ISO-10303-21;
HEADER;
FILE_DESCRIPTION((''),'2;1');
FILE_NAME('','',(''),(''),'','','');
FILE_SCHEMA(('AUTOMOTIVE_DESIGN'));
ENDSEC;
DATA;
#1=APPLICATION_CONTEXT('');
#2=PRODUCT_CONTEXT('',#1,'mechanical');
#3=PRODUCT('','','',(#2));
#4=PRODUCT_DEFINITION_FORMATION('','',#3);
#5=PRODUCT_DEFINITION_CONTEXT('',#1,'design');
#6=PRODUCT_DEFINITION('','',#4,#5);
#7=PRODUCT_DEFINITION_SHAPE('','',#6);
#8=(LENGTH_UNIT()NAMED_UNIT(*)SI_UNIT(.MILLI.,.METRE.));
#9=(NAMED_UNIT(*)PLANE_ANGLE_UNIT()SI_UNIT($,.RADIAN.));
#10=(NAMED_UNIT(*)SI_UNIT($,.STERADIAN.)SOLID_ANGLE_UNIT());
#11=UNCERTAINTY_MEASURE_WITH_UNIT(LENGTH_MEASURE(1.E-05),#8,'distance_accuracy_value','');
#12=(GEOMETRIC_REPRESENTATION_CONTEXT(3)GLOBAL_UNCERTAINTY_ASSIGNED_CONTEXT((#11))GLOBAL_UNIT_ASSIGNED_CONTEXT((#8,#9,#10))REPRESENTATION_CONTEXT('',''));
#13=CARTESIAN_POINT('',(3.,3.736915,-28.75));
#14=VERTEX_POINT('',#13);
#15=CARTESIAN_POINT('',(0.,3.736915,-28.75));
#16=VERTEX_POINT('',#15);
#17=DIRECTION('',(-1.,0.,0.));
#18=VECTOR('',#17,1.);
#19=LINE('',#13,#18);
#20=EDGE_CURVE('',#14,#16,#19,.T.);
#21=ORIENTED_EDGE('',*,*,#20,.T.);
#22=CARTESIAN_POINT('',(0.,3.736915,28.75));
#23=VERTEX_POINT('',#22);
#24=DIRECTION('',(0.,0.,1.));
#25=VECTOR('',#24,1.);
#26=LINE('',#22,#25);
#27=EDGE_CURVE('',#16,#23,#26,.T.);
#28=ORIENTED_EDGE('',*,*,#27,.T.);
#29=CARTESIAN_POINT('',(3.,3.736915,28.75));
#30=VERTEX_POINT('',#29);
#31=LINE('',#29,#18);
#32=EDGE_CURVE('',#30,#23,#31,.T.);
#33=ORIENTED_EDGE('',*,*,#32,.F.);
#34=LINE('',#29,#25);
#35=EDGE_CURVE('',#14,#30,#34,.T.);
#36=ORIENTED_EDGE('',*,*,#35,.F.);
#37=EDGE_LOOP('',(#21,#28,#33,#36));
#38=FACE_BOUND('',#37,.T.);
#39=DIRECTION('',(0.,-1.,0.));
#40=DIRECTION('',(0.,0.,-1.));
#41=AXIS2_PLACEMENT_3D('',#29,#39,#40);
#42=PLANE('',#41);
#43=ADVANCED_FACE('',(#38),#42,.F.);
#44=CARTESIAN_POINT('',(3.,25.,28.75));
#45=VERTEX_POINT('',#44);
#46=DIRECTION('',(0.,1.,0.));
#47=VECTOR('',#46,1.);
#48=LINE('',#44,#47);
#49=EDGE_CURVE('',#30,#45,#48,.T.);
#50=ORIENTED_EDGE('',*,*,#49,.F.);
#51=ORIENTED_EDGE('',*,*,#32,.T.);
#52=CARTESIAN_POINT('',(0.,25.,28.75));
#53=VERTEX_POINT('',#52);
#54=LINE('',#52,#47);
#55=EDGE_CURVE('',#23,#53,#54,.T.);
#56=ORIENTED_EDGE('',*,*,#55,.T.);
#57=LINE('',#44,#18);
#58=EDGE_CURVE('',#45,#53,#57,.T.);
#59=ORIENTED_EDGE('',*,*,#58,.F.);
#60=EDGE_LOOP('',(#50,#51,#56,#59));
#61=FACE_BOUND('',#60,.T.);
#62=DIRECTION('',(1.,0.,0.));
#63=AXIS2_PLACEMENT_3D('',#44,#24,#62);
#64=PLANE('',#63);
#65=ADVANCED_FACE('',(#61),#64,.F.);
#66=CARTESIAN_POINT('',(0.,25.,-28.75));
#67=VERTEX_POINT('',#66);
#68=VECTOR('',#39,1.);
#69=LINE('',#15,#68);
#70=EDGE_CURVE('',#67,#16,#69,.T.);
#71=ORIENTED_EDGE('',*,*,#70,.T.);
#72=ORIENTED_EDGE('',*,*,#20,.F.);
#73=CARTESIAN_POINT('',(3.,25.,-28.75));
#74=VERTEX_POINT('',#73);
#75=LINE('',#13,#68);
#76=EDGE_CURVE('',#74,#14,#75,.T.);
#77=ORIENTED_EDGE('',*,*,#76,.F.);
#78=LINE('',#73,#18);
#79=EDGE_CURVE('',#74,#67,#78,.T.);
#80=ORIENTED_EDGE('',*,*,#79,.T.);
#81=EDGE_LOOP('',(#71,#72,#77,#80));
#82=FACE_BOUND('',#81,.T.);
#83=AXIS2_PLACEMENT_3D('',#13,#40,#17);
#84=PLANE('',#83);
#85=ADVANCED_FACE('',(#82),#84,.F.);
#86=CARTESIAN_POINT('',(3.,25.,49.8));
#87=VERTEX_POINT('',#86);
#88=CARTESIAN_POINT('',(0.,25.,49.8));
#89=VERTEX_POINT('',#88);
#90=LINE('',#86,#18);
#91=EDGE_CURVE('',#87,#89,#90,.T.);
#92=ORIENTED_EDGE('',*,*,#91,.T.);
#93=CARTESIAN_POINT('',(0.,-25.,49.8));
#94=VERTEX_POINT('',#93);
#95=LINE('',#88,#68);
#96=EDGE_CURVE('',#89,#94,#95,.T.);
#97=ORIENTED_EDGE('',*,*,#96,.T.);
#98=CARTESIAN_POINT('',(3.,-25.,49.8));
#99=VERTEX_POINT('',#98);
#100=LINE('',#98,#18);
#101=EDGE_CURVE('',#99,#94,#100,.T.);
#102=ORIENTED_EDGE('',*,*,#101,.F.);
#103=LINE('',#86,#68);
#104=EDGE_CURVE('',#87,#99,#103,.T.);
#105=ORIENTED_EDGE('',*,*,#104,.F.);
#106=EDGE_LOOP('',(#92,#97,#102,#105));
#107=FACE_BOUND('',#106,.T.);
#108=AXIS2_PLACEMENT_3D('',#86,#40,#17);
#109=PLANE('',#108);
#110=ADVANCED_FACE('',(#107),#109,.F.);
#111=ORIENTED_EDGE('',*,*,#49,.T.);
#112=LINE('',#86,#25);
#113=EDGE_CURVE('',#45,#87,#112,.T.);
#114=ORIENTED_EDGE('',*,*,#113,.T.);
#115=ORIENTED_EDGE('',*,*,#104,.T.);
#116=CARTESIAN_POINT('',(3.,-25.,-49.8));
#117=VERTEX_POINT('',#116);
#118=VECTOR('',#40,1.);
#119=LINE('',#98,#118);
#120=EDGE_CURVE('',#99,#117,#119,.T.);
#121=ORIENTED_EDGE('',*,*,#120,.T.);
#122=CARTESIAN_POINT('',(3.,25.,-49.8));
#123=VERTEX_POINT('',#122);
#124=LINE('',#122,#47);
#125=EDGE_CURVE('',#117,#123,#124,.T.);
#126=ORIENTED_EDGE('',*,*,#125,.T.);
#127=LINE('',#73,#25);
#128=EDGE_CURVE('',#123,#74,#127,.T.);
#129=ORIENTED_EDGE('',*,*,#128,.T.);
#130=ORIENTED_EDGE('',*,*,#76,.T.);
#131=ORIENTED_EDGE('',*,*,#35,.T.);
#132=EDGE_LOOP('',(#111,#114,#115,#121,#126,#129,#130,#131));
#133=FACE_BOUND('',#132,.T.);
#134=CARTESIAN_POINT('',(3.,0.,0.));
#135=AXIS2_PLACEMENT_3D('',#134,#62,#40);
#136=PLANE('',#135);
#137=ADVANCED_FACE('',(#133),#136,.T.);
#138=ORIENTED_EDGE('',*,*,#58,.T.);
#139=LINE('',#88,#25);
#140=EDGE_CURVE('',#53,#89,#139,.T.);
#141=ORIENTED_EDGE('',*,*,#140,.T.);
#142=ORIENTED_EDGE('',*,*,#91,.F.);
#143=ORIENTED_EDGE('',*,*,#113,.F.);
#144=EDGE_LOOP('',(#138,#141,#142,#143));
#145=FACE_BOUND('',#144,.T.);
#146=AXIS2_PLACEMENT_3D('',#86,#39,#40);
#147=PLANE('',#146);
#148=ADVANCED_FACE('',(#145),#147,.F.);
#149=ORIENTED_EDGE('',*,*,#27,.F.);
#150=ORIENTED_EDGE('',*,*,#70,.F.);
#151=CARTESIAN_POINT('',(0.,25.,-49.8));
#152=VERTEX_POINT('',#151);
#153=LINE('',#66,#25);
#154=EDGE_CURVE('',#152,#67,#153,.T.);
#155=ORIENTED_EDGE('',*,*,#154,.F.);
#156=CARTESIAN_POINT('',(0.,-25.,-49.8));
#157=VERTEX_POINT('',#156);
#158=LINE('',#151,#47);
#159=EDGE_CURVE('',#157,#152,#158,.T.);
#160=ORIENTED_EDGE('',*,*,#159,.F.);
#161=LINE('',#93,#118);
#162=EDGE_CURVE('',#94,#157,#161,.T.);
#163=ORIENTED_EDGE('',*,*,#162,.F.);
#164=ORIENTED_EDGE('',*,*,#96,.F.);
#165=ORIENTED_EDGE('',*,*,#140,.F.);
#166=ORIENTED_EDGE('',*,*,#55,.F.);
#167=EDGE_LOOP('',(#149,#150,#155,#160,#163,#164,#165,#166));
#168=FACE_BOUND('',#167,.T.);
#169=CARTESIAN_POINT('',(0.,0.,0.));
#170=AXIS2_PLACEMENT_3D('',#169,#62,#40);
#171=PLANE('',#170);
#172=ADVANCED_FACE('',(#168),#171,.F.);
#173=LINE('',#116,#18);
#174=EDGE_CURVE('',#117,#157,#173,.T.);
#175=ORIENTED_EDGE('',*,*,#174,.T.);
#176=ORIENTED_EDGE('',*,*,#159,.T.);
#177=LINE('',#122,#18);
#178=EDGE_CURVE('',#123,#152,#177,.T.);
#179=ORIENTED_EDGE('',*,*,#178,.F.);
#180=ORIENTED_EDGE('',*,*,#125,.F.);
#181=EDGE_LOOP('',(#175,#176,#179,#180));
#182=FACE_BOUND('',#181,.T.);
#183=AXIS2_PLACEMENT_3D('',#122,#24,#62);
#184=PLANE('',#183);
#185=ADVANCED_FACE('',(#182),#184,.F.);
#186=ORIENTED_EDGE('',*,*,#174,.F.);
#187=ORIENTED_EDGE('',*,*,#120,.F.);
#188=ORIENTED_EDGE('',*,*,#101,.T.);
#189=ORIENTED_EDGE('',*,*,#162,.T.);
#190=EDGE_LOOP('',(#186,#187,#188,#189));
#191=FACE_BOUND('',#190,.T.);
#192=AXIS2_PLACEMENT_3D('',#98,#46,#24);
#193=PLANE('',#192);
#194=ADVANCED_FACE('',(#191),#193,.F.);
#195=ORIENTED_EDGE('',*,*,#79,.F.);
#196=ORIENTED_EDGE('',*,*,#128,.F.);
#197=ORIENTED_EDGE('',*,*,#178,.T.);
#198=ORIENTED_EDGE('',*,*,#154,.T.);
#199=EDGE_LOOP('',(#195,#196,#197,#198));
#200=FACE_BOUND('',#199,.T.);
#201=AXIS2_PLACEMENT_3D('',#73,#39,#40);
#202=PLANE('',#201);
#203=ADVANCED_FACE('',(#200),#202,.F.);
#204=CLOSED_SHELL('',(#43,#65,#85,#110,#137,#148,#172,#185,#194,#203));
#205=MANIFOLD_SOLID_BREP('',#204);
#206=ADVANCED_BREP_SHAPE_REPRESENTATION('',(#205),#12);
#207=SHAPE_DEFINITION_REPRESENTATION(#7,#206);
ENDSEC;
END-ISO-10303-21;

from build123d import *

# Parameters (mm, degrees)
BOSS_EXTRUDE1_DEPTH = 3


with BuildPart() as part:
    # Sketch1 → Boss-Extrude1 (new body)
    with BuildSketch(Plane(origin=(0, 0, 0), x_dir=(0, 0, -1), z_dir=(1, 0, 0))):
        Polygon((-49.8, 25), (-28.75, 25), (-28.75, 3.736915053), (28.75, 3.736915053), (28.75, 25), (49.8, 25), (49.8, -25), (-49.8, -25), align=None)
    extrude(amount=BOSS_EXTRUDE1_DEPTH)


solid = part.part
